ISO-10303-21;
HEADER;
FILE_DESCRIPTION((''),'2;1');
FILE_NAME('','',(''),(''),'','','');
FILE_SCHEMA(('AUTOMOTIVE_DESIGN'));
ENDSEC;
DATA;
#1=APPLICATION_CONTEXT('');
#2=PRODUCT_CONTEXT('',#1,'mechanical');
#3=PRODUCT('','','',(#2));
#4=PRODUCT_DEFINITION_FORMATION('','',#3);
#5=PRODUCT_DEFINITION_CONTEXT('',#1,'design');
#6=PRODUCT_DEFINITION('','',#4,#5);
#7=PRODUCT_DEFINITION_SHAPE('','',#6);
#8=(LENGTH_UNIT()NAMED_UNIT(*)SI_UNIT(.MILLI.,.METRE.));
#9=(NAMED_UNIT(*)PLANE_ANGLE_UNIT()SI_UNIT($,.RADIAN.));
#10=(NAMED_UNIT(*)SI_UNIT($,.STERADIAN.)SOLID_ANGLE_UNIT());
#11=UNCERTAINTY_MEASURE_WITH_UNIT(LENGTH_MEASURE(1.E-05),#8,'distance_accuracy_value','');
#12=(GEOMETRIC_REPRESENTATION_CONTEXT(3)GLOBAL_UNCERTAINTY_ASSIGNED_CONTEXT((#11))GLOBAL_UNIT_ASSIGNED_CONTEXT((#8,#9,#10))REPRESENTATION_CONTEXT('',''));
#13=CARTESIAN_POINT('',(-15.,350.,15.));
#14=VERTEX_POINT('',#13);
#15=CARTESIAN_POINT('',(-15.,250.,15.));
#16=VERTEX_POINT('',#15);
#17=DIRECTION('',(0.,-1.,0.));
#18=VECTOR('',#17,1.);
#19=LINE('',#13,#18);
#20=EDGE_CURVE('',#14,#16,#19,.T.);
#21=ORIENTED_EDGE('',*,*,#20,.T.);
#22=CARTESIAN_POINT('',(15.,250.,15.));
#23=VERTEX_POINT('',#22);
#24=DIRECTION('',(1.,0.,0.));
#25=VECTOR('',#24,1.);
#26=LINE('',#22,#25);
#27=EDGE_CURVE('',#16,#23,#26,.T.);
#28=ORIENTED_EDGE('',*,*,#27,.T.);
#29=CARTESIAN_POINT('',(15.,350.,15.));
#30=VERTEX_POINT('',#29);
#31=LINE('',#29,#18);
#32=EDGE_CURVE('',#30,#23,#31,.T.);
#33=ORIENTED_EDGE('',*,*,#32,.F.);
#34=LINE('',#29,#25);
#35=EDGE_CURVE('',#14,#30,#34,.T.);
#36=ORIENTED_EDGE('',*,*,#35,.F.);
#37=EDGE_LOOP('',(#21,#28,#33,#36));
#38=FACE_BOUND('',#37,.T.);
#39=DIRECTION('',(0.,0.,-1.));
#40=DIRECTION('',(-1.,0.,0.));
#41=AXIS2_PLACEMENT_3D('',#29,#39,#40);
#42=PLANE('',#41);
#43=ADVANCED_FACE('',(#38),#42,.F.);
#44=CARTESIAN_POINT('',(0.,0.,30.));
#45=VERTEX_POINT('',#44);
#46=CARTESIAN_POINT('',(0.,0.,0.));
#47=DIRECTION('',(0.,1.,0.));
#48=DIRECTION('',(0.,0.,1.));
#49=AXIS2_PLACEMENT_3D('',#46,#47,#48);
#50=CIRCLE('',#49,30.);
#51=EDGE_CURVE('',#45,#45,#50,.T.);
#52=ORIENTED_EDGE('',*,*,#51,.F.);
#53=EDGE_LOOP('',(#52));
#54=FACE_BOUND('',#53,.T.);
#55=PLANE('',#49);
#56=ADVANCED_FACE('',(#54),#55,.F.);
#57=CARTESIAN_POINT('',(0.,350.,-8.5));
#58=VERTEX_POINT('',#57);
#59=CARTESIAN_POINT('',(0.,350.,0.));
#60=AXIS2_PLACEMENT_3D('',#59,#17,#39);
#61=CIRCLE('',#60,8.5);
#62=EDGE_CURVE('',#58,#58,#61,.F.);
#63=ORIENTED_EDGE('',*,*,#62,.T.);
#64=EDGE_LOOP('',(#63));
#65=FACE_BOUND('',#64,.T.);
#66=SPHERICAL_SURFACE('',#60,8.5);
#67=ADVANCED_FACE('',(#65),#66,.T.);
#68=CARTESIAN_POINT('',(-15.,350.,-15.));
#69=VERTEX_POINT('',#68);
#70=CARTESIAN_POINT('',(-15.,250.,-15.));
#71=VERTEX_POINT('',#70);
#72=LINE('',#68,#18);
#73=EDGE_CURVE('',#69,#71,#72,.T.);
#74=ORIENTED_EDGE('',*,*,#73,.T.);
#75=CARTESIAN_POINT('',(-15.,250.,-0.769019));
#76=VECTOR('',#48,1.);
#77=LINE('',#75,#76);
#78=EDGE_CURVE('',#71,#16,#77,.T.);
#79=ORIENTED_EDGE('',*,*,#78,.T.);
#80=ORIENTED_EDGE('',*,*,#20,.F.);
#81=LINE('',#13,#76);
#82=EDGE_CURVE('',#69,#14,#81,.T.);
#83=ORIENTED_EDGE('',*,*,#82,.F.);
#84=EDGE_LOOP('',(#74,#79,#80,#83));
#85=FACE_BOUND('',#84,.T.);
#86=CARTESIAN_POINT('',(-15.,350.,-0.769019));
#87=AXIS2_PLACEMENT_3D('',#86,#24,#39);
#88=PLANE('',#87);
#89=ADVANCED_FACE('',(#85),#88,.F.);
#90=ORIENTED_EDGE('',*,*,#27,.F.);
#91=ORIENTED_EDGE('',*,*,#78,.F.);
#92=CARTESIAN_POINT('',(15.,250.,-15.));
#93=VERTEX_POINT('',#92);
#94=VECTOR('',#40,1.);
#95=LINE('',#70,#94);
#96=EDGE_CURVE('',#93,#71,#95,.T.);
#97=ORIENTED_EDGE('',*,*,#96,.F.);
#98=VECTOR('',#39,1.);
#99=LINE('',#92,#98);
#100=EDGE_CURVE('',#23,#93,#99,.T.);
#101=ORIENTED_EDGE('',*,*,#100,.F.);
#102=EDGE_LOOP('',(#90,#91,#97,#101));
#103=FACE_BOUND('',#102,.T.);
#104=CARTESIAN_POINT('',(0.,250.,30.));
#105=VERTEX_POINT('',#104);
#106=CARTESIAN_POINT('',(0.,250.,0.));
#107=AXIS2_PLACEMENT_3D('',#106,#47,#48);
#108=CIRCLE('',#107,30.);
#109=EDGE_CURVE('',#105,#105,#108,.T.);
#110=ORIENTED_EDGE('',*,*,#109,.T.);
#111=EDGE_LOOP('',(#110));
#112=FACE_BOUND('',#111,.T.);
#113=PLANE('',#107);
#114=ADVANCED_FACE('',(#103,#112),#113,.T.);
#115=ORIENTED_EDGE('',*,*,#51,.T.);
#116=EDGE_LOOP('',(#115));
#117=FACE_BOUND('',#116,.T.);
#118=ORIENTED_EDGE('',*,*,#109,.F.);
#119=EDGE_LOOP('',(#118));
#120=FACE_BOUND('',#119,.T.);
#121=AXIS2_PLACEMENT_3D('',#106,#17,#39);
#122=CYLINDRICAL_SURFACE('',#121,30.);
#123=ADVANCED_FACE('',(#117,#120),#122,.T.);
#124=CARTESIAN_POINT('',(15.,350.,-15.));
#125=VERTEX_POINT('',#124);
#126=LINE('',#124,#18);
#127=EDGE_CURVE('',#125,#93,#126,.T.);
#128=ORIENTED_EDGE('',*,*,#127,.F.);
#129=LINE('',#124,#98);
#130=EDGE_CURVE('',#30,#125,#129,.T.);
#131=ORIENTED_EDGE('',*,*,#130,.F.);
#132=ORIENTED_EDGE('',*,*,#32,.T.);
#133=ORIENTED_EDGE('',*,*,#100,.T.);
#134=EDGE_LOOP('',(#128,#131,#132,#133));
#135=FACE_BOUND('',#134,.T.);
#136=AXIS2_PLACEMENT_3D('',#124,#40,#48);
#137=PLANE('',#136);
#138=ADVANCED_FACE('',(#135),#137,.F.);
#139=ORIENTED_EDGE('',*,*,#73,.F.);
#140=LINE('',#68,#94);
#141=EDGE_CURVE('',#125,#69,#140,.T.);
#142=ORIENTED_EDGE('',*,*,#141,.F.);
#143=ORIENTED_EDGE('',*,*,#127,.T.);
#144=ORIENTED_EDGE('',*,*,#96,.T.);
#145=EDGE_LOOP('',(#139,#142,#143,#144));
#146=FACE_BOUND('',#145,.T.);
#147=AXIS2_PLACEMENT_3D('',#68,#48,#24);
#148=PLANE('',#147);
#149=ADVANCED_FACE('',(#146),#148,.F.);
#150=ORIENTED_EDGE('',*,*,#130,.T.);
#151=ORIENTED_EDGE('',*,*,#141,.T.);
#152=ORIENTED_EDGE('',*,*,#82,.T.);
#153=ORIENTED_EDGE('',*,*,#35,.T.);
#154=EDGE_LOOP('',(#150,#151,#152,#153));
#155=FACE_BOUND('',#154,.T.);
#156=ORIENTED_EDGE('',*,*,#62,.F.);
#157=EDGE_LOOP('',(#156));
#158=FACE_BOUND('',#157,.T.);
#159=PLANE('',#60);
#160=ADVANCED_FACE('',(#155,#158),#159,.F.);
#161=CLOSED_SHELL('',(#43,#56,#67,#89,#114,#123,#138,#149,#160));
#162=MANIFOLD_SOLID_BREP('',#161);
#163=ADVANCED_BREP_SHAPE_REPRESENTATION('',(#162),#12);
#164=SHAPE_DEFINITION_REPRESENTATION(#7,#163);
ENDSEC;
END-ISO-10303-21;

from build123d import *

# Parameters (mm, degrees)
SKETCH1_R           = 30
BOSS_EXTRUDE1_DEPTH = 250
BOSS_EXTRUDE2_DEPTH = 100


with BuildPart() as part:
    # Sketch1 → Boss-Extrude1 (new body)
    with BuildSketch(Plane(origin=(0, 0, 0), x_dir=(1, 0, 0), z_dir=(0, 1, 0))):
        Circle(SKETCH1_R)
    extrude(amount=BOSS_EXTRUDE1_DEPTH)

    # Sketch3 → Boss-Extrude2 (add)
    with BuildSketch(Plane(origin=(0, 250, 0), x_dir=(1, 0, 0), z_dir=(0, 1, 0))):
        Polygon((-15, 0.769018566), (-15, 15), (15, 15), (15, -15), (-15, -15), align=None)
    extrude(amount=BOSS_EXTRUDE2_DEPTH)

    # Sketch4 → Revolve1 (revolve)
    with BuildSketch(Plane(origin=(0, 350, 0), x_dir=(1, 0, 0), z_dir=(0, 1, 0))):
        with BuildLine():
            Line((0, 8.5), (0, -8.5))
            ThreePointArc((0, -8.5), (8.5, 0), (0, 8.5))
        make_face()
    revolve(axis=Axis((0, 350, -8.5), (0, 0, 1)))


solid = part.part
